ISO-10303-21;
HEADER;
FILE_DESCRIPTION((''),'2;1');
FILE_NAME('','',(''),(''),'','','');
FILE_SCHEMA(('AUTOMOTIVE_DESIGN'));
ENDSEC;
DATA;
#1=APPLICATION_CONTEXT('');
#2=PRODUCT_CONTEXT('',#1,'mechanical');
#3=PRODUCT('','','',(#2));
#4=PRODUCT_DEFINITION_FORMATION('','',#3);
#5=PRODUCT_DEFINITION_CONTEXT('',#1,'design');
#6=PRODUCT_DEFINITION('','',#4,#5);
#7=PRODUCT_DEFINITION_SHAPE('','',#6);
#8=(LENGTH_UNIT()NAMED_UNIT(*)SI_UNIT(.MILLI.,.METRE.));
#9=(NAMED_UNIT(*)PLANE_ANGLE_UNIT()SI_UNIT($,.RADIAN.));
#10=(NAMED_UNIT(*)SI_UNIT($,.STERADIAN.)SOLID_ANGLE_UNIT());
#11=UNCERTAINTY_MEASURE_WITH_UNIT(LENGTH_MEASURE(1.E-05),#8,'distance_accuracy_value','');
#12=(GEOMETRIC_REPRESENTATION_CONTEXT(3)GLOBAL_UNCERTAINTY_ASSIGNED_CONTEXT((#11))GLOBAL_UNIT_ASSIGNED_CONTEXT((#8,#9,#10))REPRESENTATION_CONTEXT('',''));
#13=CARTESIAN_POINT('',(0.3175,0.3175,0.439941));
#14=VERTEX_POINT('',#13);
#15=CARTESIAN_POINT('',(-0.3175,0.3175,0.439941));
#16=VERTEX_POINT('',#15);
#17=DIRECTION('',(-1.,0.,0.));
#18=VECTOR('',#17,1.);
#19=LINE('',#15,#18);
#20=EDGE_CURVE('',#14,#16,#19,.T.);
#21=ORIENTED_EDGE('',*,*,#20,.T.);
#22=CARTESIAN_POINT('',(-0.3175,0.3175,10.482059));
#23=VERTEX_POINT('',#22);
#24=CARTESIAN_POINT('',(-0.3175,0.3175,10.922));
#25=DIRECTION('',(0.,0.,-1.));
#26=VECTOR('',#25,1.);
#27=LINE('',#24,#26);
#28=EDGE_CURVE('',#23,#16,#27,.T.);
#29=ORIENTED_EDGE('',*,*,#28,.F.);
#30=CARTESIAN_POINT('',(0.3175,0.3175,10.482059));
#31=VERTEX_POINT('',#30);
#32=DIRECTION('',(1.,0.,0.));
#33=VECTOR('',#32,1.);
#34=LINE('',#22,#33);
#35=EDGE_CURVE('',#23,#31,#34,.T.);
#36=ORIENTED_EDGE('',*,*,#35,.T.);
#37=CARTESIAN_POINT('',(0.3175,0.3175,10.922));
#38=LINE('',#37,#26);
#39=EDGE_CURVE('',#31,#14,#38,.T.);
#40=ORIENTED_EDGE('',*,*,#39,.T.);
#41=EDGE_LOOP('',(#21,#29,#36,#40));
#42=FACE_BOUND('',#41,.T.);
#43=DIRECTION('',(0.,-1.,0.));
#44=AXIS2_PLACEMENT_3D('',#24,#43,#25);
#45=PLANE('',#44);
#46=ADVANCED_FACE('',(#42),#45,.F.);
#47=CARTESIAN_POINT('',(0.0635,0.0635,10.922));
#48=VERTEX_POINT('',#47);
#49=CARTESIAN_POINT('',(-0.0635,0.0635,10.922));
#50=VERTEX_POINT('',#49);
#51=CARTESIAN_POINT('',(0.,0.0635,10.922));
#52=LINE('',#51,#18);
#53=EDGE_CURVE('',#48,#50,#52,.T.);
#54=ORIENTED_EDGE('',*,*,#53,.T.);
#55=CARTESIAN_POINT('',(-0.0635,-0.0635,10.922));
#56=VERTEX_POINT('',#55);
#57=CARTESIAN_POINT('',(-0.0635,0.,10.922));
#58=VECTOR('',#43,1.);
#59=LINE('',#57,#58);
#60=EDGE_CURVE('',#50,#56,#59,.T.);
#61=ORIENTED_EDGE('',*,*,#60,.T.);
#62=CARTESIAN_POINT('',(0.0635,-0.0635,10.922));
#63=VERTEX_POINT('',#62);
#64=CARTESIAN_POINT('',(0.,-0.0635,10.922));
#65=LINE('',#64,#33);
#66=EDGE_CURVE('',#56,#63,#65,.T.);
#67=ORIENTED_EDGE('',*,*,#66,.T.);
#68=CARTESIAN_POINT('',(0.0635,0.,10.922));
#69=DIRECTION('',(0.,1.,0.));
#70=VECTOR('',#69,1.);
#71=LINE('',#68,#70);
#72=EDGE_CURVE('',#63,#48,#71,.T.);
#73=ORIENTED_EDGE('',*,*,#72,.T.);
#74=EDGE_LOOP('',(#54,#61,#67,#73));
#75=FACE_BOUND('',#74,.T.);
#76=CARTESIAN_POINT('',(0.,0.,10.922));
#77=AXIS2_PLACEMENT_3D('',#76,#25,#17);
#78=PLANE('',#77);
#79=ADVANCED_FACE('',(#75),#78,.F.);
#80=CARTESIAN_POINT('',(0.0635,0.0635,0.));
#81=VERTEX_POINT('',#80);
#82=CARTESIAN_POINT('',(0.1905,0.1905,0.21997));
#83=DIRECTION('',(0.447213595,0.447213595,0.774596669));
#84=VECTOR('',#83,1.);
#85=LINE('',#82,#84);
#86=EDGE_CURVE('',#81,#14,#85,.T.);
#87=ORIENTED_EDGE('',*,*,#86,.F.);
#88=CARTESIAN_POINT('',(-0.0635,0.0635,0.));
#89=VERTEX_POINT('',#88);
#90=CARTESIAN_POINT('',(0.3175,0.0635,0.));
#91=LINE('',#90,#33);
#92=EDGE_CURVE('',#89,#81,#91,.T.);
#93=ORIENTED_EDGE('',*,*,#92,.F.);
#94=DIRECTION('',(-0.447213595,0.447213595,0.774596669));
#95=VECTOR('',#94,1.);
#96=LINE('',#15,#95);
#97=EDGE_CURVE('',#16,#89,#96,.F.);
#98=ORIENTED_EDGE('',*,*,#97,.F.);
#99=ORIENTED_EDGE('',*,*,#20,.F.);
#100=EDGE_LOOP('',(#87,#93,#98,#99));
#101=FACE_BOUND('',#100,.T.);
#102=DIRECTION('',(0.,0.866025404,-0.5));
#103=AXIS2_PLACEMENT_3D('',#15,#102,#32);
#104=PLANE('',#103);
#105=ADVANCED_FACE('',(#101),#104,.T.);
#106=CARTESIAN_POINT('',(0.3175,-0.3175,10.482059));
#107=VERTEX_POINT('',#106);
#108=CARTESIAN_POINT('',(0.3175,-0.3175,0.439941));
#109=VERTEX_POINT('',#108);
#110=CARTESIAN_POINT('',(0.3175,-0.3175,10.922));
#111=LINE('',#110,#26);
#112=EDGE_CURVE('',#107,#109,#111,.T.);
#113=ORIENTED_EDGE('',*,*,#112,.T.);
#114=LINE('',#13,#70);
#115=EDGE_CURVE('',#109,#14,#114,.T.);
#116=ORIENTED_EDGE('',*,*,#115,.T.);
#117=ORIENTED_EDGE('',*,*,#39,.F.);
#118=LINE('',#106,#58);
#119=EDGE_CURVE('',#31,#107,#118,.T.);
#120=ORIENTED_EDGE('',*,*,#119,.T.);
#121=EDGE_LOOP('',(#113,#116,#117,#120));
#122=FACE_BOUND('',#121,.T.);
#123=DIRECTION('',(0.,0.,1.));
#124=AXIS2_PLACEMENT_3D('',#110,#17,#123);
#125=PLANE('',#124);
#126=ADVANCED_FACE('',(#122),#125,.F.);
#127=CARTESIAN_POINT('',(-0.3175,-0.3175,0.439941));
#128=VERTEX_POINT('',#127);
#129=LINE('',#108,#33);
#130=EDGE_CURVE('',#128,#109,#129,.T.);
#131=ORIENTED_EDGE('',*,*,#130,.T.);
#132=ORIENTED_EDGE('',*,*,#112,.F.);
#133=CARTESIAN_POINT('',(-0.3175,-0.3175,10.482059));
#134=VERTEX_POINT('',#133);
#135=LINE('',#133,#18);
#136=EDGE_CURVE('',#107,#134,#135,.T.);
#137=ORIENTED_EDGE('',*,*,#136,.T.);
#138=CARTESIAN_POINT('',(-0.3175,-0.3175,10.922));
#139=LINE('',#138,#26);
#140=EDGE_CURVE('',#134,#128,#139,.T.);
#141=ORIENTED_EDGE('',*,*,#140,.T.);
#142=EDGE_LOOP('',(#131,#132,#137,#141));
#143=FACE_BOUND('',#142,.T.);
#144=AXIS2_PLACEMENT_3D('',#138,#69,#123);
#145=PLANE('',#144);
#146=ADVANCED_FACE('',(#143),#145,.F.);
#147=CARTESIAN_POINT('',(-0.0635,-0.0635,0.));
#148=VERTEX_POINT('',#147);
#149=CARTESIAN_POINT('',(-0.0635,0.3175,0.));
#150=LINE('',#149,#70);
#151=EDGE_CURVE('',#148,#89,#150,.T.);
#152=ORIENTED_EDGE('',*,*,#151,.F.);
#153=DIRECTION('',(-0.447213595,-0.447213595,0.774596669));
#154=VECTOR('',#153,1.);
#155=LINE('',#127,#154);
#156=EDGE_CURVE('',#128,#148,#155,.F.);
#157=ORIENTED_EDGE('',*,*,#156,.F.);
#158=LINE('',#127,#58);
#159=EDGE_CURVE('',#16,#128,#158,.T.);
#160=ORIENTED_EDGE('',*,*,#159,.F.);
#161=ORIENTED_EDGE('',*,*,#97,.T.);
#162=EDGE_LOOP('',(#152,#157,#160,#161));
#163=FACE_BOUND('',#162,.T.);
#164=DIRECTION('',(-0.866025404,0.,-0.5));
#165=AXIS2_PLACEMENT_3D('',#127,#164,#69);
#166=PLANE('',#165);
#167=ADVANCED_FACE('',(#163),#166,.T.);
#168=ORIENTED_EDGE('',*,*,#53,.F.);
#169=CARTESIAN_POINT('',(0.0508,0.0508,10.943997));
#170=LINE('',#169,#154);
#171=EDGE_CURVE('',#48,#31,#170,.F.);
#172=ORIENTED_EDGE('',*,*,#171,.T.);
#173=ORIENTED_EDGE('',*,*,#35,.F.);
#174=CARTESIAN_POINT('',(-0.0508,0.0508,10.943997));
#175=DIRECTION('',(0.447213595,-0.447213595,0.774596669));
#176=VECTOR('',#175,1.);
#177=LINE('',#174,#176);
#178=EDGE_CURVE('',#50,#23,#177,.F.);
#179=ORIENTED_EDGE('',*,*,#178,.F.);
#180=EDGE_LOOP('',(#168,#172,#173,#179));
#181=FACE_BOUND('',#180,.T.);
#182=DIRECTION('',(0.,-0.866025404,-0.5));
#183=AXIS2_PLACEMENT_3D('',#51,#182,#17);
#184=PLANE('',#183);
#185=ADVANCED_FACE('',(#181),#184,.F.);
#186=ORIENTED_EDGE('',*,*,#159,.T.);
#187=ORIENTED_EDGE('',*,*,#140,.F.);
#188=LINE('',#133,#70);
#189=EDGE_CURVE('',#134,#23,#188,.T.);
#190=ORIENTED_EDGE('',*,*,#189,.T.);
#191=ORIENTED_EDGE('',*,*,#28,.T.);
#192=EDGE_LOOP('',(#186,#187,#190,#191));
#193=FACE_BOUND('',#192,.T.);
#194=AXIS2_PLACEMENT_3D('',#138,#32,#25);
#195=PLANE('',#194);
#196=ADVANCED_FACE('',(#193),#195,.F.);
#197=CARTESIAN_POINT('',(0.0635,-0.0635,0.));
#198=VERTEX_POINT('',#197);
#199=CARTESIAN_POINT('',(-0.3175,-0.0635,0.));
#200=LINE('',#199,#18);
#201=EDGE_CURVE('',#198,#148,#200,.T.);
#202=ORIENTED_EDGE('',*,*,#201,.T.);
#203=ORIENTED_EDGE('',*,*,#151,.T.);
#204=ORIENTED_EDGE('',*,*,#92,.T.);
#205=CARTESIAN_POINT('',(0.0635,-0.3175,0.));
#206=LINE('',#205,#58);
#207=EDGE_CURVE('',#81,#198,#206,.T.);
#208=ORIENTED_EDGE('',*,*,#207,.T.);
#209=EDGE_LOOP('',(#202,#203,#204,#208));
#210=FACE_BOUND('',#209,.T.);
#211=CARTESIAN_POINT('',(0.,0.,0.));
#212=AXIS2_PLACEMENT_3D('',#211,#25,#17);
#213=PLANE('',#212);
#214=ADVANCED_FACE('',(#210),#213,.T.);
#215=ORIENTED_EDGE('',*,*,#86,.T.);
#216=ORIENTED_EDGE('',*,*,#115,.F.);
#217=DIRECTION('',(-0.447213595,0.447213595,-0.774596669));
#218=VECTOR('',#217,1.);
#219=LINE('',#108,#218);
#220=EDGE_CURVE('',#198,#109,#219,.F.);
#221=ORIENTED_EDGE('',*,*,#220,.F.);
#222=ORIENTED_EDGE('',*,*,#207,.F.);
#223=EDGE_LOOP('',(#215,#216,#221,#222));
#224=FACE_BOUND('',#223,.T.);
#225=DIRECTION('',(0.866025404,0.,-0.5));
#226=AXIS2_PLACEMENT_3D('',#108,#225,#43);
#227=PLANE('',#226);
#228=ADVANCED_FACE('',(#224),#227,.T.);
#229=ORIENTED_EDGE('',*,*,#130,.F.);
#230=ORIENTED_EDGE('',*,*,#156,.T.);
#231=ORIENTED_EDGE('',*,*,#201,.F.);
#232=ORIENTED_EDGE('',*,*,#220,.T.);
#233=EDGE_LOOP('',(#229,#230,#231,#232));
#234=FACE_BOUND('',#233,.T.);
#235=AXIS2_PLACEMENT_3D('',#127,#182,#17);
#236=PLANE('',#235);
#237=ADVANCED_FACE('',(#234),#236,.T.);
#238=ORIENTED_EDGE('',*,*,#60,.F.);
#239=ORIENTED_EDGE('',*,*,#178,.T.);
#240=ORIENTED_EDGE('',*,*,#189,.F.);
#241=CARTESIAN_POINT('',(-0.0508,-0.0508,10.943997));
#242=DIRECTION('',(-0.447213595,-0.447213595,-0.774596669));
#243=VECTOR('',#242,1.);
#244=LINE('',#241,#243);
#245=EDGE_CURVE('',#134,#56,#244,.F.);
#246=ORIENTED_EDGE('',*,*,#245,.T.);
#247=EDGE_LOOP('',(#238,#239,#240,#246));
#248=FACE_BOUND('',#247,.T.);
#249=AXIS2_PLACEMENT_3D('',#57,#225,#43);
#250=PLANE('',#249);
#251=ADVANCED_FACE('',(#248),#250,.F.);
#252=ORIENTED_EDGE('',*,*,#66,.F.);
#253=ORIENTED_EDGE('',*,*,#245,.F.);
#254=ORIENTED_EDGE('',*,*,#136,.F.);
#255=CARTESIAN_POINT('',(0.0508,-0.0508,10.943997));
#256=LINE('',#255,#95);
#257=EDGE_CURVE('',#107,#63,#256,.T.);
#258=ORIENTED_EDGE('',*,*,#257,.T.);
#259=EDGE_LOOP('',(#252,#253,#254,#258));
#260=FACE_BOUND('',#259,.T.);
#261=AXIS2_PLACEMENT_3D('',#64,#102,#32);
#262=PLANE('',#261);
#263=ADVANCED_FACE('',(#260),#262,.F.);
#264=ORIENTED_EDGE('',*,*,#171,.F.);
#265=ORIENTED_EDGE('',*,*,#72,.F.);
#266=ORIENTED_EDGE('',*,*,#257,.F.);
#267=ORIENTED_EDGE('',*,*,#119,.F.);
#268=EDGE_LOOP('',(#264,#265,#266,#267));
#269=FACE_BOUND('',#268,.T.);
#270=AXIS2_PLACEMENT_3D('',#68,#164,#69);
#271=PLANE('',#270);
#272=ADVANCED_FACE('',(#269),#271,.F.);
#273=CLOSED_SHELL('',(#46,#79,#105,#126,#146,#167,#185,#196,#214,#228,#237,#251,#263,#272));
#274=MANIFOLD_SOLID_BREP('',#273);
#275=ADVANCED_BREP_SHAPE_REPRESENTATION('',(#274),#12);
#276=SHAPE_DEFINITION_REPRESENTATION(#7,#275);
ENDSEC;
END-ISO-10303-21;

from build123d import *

# Parameters (mm, degrees)
SKETCH1_W           = 0.635
SKETCH1_H           = 0.635
BOSS_EXTRUDE1_DEPTH = 10.922
CHAMFER1_SIZE       = 0.254
CHAMFER1_SIZE2      = 0.439940905
CHAMFER2_SIZE       = 0.254
CHAMFER2_SIZE2      = 0.439940905


with BuildPart() as part:
    # Sketch1 → Boss-Extrude1 (new body)
    with BuildSketch(Plane.XY):
        Rectangle(SKETCH1_W, SKETCH1_H)
    extrude(amount=BOSS_EXTRUDE1_DEPTH)

    # Chamfer1
    chamfer1_edges = [part.edges().sort_by_distance(p)[0] for p in [
        (-0.3175, 0, 10.922),
        (0, -0.3175, 10.922),
        (0.3175, 0, 10.922),
        (0, 0.3175, 10.922),
    ]]
    chamfer1_side = [part.faces().sort_by_distance(p)[0] for p in [
        (0, 0, 10.922),
    ]]
    chamfer(chamfer1_edges, length=CHAMFER1_SIZE, length2=CHAMFER1_SIZE2, reference=chamfer1_side[0])

    # Chamfer2
    chamfer2_edges = [part.edges().sort_by_distance(p)[0] for p in [
        (0, -0.3175, 0),
        (-0.3175, 0, 0),
        (0, 0.3175, 0),
        (0.3175, 0, 0),
    ]]
    chamfer2_side = [part.faces().sort_by_distance(p)[0] for p in [
        (0, 0, 0),
    ]]
    chamfer(chamfer2_edges, length=CHAMFER2_SIZE, length2=CHAMFER2_SIZE2, reference=chamfer2_side[0])


solid = part.part
